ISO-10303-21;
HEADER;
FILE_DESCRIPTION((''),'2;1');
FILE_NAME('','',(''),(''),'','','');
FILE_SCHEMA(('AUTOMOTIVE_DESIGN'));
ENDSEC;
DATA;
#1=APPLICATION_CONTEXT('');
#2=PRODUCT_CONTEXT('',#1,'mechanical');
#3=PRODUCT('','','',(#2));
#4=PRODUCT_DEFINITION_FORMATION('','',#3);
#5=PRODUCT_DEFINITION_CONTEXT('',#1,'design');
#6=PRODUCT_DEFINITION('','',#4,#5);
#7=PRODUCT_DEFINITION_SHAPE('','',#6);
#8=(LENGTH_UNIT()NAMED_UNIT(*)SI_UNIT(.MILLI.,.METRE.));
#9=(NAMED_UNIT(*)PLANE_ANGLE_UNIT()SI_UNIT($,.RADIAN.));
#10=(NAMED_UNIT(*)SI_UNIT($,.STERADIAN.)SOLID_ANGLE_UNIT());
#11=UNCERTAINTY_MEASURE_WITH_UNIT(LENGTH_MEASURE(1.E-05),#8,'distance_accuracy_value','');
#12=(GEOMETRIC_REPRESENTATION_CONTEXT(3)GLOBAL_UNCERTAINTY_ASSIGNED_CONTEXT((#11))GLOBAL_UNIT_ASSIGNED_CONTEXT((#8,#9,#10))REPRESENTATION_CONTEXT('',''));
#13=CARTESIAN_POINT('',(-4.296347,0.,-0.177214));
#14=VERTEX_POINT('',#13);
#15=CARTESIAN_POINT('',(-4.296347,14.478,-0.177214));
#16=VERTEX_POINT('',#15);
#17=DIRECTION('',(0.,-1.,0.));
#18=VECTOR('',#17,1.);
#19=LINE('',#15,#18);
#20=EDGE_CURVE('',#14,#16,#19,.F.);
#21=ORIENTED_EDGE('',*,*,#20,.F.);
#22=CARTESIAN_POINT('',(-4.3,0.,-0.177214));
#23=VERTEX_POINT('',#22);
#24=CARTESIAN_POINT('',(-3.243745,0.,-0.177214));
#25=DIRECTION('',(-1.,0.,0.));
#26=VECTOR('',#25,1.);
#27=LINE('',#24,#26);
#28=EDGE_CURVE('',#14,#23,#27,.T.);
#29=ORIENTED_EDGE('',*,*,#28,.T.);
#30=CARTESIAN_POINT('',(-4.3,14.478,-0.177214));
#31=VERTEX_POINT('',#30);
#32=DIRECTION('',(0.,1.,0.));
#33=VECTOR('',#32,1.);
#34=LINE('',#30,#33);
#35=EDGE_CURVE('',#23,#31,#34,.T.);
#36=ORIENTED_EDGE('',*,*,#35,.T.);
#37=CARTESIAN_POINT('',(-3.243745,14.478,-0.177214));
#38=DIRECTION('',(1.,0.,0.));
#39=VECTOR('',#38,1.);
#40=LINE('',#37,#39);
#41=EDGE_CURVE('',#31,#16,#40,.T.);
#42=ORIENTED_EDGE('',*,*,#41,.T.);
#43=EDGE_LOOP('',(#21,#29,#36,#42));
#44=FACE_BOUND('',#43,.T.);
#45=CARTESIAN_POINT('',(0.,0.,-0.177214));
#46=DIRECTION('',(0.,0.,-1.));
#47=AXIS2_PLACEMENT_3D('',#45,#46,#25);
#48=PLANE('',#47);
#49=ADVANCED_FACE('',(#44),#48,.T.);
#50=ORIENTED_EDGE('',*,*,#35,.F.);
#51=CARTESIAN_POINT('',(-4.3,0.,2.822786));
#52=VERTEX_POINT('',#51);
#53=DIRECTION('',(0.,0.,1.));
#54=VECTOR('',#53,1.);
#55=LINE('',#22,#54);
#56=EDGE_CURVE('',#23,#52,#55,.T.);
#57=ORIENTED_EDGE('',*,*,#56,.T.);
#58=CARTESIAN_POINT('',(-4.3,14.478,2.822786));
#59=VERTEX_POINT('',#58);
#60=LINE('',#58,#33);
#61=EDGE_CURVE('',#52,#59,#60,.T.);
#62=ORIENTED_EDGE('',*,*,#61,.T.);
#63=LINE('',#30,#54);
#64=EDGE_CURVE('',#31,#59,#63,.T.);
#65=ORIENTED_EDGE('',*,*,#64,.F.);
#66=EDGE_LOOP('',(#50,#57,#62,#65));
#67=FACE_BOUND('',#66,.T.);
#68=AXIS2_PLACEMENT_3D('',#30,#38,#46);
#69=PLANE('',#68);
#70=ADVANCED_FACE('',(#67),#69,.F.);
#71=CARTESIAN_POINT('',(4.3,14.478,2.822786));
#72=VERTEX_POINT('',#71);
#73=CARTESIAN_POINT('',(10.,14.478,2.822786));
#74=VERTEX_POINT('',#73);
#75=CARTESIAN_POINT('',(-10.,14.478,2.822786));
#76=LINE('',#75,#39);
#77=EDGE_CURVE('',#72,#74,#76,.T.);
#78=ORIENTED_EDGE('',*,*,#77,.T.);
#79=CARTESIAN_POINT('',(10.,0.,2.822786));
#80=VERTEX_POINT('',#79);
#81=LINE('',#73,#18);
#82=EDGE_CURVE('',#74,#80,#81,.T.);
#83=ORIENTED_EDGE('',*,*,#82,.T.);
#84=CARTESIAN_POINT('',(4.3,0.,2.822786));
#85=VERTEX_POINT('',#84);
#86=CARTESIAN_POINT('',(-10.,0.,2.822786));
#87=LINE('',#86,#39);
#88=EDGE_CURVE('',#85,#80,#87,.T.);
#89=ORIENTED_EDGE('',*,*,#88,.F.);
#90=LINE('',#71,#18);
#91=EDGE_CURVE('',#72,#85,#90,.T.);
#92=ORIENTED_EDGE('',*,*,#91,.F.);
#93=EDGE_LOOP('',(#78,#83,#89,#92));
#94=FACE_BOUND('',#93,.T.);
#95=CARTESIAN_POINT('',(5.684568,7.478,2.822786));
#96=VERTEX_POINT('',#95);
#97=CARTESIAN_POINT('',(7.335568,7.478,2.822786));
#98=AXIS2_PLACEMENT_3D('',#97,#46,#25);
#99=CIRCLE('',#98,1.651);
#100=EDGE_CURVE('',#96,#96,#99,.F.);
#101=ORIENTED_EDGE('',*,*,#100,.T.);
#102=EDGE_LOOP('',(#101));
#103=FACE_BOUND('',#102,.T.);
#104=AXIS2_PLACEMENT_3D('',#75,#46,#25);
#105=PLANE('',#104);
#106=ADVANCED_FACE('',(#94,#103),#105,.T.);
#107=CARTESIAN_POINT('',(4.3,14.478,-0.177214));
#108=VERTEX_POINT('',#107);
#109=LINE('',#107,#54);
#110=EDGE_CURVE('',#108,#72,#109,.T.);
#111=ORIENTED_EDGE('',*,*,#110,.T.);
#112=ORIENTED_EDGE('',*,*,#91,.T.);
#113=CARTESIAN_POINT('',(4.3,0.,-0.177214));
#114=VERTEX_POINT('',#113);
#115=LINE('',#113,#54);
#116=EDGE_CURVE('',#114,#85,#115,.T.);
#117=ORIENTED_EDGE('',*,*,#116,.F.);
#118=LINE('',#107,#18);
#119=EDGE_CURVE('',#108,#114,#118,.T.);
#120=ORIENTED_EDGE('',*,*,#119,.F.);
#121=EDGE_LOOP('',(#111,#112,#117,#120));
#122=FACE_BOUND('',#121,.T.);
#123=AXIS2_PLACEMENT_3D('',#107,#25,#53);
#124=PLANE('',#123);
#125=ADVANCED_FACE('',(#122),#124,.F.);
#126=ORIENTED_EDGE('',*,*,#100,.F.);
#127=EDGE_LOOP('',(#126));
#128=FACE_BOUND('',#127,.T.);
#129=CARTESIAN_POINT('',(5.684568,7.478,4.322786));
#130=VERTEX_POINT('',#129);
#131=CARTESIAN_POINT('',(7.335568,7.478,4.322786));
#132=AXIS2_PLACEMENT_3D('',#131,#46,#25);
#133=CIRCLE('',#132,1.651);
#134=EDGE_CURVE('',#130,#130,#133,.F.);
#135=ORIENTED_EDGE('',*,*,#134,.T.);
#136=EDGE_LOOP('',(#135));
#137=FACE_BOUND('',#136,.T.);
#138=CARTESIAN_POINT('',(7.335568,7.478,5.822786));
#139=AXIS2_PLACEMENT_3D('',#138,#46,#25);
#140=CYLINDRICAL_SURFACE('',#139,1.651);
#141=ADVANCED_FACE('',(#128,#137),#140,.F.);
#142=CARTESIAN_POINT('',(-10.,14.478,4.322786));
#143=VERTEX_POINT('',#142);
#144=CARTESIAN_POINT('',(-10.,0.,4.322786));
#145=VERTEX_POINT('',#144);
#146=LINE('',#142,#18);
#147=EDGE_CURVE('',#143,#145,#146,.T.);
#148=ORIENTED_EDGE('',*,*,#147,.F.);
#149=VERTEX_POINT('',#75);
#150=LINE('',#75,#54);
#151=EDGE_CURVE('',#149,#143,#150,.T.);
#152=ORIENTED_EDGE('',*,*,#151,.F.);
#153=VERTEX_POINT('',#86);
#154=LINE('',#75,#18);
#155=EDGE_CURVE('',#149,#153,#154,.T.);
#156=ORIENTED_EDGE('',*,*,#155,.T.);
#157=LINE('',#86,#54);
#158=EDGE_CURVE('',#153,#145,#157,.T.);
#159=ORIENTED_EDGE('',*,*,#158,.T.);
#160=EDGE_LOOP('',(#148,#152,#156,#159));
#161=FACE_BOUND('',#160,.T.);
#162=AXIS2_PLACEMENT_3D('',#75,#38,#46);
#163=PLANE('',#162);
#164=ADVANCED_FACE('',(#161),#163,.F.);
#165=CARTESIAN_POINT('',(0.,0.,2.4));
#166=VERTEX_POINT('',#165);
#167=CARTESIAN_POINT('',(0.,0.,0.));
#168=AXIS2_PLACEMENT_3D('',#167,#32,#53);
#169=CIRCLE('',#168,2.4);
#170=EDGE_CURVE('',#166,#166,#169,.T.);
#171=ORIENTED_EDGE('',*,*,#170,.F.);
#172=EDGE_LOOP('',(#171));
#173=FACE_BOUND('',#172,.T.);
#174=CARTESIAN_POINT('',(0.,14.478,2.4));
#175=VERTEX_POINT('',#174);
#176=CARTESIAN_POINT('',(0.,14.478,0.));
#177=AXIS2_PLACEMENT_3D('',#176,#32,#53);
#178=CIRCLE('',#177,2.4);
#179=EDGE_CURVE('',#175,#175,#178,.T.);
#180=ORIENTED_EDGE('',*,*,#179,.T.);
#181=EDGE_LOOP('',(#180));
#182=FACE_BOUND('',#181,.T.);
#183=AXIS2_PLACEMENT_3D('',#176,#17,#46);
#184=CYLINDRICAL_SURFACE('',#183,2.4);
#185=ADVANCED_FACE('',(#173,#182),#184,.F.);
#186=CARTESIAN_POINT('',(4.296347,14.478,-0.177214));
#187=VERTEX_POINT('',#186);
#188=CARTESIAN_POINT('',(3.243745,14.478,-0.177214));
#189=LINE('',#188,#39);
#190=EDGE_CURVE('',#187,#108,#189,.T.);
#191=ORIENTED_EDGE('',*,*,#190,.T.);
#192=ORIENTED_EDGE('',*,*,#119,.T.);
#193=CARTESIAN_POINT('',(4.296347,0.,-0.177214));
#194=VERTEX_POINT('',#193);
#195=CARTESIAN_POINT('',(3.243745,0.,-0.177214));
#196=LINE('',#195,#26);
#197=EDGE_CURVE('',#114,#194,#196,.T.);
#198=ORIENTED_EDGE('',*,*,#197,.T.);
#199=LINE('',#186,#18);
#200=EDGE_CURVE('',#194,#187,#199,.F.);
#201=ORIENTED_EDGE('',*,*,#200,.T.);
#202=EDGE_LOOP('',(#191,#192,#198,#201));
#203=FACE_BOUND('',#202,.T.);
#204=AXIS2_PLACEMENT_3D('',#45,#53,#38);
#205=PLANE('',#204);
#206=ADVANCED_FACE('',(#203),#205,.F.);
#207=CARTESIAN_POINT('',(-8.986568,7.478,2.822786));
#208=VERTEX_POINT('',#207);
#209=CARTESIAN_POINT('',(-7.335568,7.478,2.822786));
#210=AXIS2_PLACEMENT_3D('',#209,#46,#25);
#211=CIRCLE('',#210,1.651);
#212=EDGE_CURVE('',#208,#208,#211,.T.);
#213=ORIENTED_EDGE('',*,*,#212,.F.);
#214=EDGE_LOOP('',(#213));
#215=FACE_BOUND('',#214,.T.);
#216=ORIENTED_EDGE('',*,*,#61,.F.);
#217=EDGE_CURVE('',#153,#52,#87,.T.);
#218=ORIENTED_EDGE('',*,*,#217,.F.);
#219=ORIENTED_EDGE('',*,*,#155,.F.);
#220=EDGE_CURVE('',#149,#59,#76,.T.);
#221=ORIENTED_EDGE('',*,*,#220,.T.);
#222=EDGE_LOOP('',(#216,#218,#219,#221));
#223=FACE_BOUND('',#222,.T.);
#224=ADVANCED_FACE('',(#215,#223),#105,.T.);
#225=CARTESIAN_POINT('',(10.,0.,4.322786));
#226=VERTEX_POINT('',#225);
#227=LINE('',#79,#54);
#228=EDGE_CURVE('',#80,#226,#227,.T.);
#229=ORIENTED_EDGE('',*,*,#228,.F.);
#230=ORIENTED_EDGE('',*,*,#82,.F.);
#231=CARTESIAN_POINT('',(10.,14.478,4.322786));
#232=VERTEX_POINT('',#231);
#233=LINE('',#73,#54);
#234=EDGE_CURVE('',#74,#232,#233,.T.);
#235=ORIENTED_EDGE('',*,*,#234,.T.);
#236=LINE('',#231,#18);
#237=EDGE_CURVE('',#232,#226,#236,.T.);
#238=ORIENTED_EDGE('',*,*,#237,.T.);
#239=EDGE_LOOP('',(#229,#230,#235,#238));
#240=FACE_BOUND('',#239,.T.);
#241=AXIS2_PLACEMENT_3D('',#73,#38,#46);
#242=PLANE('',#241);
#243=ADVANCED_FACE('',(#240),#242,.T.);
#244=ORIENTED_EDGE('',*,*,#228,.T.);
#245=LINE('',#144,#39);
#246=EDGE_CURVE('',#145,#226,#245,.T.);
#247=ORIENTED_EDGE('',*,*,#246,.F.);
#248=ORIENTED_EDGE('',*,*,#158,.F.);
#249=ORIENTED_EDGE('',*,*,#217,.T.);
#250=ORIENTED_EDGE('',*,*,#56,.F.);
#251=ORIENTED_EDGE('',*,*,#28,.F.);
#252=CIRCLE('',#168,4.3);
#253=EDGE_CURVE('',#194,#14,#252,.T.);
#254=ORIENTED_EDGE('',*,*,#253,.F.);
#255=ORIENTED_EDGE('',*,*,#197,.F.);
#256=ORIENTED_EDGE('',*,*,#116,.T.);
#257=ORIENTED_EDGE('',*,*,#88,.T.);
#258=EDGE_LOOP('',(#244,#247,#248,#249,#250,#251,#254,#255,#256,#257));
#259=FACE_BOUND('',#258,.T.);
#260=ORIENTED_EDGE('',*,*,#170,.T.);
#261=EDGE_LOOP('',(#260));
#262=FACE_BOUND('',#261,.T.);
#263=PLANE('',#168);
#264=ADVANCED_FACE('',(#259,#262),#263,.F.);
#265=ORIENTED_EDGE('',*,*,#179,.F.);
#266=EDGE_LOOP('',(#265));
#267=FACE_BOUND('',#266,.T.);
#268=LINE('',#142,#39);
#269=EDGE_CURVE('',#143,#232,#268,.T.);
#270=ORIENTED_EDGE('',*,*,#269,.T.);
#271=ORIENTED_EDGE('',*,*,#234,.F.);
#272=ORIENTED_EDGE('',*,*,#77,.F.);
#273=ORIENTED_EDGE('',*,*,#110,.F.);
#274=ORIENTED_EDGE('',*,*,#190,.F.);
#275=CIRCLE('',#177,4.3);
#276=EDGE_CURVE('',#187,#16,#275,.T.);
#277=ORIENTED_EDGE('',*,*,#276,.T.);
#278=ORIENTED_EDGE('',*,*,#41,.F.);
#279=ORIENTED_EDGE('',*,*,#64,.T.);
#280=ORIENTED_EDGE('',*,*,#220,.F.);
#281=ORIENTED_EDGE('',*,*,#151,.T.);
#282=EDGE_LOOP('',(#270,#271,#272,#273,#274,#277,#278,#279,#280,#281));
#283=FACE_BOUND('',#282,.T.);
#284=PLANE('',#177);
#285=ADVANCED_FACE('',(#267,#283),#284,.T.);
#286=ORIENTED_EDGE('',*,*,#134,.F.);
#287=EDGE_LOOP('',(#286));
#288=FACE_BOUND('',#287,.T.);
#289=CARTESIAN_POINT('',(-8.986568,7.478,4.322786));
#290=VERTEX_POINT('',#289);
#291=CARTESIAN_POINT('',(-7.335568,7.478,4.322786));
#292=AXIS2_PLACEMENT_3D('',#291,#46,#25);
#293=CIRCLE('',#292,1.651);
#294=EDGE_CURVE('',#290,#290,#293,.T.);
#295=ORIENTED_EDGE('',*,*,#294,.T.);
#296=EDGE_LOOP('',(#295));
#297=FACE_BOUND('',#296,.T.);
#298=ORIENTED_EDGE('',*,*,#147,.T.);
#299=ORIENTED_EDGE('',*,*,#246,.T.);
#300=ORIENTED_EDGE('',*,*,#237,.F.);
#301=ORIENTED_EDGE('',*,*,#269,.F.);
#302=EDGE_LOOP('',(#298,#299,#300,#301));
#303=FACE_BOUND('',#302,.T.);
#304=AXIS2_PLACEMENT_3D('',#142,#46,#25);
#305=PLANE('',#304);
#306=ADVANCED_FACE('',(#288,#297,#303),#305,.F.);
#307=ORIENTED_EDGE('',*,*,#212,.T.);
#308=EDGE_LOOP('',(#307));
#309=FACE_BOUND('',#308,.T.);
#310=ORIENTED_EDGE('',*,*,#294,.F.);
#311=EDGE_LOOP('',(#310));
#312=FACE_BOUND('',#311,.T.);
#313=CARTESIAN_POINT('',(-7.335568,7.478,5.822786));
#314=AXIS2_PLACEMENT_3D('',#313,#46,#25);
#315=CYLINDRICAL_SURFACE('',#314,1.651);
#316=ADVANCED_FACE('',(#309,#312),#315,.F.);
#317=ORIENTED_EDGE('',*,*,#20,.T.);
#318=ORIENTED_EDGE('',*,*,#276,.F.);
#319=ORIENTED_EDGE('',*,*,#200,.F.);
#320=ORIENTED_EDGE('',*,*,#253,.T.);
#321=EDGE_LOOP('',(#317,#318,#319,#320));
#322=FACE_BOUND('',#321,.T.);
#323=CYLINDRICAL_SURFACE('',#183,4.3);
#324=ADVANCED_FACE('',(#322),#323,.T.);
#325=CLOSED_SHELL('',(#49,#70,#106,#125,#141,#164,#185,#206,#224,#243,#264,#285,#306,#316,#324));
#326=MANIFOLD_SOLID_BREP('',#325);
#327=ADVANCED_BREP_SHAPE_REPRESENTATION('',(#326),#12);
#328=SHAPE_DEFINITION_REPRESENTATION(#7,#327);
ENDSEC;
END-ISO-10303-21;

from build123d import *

# Parameters (mm, degrees)
SKETCH1_R           = 4.3
SKETCH1_R_2         = 2.4
SKETCH1_W           = 20
SKETCH1_H           = 1.5
BOSS_EXTRUDE1_DEPTH = 14.478
SKETCH2_W           = 1.056255113
SKETCH2_H           = 14.478
BOSS_EXTRUDE2_DEPTH = 3
SKETCH3_W           = 1.056255113
SKETCH3_H           = 14.478
BOSS_EXTRUDE3_DEPTH = 3
SKETCH4_R           = 1.651
CUT_EXTRUDE1_DEPTH  = 3


with BuildPart() as part:
    # Sketch1 → Boss-Extrude1 (new body)
    # profile 1 of 2: a face of its own
    with BuildSketch(Plane(origin=(0, 0, 0), x_dir=(1, 0, 0), z_dir=(0, 1, 0))):
        Circle(SKETCH1_R)
        with Locations(Location((0, 0, 0), (0, 0, 270))):
            Circle(SKETCH1_R_2, mode=Mode.SUBTRACT)
    # profile 2 of 2: a face of its own
    with BuildSketch(Plane(origin=(0, 0, 0), x_dir=(1, 0, 0), z_dir=(0, 1, 0))):
        with Locations((0, -3.572785701)):
            Rectangle(SKETCH1_W, SKETCH1_H)
    extrude(amount=BOSS_EXTRUDE1_DEPTH)

    # Sketch2 → Boss-Extrude2 (add)
    with BuildSketch(Plane(origin=(0, 0, 2.822785701), x_dir=(-1, 0, 0), z_dir=(0, 0, -1))):
        with Locations((-3.771872444, 7.239)):
            Rectangle(SKETCH2_W, SKETCH2_H)
    extrude(amount=BOSS_EXTRUDE2_DEPTH)

    # Sketch3 → Boss-Extrude3 (add)
    with BuildSketch(Plane(origin=(0, 0, 2.822785701), x_dir=(-1, 0, 0), z_dir=(0, 0, -1))):
        with Locations((3.771872444, 7.239)):
            Rectangle(SKETCH3_W, SKETCH3_H)
    extrude(amount=BOSS_EXTRUDE3_DEPTH)

    # Sketch4 → Cut-Extrude1 (cut)
    with BuildSketch(Plane(origin=(0, 0, 2.822785701), x_dir=(-1, 0, 0), z_dir=(0, 0, -1))):
        with Locations((-7.335568172, 7.478)):
            Circle(SKETCH4_R)
        with Locations((7.335568172, 7.478)):
            Circle(SKETCH4_R)
    extrude(amount=-CUT_EXTRUDE1_DEPTH, mode=Mode.SUBTRACT)


solid = part.part
